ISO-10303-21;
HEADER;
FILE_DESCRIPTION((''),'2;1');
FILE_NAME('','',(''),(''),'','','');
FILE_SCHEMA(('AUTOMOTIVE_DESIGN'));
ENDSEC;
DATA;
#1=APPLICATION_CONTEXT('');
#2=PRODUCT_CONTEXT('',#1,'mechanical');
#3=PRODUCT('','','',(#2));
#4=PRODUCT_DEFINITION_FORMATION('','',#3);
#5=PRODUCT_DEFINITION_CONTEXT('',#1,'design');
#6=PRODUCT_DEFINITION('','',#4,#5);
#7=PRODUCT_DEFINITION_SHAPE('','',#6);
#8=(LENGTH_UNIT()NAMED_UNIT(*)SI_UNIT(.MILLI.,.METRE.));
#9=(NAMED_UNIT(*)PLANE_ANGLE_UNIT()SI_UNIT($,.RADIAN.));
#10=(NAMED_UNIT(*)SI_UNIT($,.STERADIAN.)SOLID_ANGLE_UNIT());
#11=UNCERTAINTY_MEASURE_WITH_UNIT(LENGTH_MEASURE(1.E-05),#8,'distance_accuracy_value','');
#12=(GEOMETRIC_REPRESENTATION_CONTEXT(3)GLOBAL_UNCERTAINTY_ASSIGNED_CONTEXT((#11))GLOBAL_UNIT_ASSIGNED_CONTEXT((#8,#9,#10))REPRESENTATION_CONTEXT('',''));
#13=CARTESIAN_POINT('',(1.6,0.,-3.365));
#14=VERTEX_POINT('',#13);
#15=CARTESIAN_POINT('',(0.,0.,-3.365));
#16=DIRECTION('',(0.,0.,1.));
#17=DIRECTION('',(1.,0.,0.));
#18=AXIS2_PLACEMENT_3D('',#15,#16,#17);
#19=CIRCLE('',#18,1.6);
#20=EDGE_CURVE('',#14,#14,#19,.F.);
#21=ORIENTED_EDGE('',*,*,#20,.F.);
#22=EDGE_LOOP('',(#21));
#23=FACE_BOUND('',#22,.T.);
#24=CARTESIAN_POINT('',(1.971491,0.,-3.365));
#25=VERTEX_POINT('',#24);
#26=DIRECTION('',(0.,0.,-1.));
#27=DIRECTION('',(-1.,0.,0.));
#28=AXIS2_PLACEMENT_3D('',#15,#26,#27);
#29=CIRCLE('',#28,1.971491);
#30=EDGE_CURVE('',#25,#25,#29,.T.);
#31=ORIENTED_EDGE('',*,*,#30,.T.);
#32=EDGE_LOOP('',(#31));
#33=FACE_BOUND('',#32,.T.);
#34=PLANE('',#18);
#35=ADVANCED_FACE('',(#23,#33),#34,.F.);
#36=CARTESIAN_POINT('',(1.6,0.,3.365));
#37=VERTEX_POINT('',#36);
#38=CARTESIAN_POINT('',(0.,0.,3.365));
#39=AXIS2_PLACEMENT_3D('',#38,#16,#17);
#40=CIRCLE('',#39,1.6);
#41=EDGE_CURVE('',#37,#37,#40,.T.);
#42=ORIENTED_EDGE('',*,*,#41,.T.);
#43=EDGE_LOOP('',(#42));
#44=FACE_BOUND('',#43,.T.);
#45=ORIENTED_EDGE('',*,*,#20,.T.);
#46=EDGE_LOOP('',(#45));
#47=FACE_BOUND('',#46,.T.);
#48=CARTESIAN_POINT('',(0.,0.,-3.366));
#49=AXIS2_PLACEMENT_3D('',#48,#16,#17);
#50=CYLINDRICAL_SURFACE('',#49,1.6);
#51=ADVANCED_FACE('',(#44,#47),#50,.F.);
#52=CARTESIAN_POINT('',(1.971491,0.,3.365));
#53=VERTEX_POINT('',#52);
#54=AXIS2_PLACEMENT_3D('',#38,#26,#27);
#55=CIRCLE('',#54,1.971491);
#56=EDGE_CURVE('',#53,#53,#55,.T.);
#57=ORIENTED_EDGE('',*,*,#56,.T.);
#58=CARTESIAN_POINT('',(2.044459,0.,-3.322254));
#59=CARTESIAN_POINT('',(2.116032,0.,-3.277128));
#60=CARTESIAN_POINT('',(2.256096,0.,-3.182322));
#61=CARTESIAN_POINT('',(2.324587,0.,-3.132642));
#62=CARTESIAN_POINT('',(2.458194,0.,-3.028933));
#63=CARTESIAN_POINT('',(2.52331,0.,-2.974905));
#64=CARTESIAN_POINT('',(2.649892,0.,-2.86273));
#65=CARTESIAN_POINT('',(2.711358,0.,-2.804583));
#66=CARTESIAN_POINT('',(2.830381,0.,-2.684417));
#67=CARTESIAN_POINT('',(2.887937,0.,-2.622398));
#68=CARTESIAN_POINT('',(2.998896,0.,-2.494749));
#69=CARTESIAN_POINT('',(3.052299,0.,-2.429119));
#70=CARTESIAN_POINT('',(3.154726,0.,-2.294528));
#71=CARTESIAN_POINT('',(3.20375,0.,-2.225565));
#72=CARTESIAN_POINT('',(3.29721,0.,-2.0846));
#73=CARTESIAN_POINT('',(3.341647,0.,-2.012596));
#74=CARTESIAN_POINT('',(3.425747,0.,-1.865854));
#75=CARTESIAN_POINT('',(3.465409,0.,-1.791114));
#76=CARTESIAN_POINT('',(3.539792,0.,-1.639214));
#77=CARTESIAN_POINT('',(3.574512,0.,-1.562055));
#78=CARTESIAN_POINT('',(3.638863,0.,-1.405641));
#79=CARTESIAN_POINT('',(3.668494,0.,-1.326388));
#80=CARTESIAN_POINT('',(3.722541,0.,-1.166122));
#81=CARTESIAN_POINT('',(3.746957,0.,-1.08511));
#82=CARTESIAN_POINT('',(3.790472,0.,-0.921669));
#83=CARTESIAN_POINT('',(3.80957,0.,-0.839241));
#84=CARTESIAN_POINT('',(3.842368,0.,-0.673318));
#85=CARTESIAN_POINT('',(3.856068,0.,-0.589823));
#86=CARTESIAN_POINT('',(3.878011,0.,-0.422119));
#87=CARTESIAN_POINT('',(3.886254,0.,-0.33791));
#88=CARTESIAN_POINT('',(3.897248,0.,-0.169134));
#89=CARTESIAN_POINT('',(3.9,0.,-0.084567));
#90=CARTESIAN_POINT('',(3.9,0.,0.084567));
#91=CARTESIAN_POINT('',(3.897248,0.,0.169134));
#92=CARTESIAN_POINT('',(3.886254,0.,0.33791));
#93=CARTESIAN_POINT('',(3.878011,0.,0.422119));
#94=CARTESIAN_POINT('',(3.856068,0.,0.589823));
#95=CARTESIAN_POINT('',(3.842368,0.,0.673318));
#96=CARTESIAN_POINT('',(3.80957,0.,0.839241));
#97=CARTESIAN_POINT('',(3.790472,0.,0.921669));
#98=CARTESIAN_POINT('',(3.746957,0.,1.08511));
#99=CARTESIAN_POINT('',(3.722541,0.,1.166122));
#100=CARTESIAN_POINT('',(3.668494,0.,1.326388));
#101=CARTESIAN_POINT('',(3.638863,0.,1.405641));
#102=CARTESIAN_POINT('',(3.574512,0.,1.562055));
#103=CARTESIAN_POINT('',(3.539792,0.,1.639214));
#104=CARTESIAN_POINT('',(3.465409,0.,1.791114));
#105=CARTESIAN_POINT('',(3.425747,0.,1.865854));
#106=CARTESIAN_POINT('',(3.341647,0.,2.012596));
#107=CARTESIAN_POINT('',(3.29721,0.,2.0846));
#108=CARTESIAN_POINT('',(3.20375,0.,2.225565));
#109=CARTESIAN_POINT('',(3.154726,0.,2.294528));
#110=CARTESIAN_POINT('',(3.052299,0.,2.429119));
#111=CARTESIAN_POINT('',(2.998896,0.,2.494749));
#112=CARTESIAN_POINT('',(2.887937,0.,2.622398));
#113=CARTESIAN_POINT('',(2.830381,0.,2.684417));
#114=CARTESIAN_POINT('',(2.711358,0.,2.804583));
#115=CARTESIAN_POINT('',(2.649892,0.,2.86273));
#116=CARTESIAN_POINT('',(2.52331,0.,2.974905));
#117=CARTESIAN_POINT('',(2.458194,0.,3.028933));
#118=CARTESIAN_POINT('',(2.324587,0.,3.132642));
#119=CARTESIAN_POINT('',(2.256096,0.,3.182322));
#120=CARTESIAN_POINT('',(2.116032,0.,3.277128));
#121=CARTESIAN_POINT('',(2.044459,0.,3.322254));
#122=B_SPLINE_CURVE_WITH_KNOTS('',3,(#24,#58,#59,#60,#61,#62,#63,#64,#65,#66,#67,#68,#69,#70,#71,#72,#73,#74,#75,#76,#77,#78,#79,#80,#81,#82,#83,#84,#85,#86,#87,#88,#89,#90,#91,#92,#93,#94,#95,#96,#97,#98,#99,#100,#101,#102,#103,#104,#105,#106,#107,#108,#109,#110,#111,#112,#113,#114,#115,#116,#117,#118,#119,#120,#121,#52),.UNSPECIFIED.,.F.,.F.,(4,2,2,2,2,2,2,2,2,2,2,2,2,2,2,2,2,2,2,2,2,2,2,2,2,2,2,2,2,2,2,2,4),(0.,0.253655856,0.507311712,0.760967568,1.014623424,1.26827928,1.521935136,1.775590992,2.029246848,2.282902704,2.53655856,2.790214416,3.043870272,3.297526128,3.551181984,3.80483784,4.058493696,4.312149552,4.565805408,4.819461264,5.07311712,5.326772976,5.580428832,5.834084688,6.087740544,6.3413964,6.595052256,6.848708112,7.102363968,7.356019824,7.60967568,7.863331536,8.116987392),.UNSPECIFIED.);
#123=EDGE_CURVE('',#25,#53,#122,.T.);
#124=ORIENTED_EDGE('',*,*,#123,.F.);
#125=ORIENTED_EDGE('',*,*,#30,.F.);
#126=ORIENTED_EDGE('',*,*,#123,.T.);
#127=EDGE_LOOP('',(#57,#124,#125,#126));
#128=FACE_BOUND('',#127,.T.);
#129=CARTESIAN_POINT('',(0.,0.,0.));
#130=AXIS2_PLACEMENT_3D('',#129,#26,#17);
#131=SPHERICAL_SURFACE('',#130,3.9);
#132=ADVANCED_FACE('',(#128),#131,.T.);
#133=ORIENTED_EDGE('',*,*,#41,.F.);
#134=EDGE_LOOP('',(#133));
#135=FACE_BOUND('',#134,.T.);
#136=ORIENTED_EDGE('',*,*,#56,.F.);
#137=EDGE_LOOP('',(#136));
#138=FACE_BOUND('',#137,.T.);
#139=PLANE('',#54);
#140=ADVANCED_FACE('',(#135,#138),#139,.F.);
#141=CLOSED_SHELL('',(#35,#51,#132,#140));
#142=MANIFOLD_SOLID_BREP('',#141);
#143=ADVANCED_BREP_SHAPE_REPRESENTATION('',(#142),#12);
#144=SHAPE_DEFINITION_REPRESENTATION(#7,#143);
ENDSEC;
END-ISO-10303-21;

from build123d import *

# Parameters (mm, degrees)
CUT_EXTRUDE1_REACH = 10.701
SKETCH2_R          = 1.6


with BuildPart() as part:
    # Sketch1 → Revolve1 (revolve)
    with BuildSketch(Plane(origin=(0, 0, 0), x_dir=(1, 0, 0), z_dir=(0, 1, 0))):
        with BuildLine():
            Line((0, 3.365), (0, -3.365))
            Line((0, -3.365), (1.971490553, -3.365))
            ThreePointArc((1.971490553, -3.365), (3.9, 0), (1.971490553, 3.365))
            Line((1.971490553, 3.365), (0, 3.365))
        make_face()
    revolve(axis=Axis((0, 0, -3.365), (0, 0, 1)))

    # Sketch2 → Cut-Extrude1 (cut, up to next)
    with BuildSketch(Plane.XY.offset(3.365), mode=Mode.PRIVATE) as cut_extrude1_sk1:
        Circle(SKETCH2_R)
    cut_extrude1_tool1 = extrude(cut_extrude1_sk1.sketch, amount=-CUT_EXTRUDE1_REACH, mode=Mode.PRIVATE) & part.part
    add(cut_extrude1_tool1.solids().sort_by_distance((0, 0, 3.365))[0], mode=Mode.SUBTRACT)


solid = part.part
